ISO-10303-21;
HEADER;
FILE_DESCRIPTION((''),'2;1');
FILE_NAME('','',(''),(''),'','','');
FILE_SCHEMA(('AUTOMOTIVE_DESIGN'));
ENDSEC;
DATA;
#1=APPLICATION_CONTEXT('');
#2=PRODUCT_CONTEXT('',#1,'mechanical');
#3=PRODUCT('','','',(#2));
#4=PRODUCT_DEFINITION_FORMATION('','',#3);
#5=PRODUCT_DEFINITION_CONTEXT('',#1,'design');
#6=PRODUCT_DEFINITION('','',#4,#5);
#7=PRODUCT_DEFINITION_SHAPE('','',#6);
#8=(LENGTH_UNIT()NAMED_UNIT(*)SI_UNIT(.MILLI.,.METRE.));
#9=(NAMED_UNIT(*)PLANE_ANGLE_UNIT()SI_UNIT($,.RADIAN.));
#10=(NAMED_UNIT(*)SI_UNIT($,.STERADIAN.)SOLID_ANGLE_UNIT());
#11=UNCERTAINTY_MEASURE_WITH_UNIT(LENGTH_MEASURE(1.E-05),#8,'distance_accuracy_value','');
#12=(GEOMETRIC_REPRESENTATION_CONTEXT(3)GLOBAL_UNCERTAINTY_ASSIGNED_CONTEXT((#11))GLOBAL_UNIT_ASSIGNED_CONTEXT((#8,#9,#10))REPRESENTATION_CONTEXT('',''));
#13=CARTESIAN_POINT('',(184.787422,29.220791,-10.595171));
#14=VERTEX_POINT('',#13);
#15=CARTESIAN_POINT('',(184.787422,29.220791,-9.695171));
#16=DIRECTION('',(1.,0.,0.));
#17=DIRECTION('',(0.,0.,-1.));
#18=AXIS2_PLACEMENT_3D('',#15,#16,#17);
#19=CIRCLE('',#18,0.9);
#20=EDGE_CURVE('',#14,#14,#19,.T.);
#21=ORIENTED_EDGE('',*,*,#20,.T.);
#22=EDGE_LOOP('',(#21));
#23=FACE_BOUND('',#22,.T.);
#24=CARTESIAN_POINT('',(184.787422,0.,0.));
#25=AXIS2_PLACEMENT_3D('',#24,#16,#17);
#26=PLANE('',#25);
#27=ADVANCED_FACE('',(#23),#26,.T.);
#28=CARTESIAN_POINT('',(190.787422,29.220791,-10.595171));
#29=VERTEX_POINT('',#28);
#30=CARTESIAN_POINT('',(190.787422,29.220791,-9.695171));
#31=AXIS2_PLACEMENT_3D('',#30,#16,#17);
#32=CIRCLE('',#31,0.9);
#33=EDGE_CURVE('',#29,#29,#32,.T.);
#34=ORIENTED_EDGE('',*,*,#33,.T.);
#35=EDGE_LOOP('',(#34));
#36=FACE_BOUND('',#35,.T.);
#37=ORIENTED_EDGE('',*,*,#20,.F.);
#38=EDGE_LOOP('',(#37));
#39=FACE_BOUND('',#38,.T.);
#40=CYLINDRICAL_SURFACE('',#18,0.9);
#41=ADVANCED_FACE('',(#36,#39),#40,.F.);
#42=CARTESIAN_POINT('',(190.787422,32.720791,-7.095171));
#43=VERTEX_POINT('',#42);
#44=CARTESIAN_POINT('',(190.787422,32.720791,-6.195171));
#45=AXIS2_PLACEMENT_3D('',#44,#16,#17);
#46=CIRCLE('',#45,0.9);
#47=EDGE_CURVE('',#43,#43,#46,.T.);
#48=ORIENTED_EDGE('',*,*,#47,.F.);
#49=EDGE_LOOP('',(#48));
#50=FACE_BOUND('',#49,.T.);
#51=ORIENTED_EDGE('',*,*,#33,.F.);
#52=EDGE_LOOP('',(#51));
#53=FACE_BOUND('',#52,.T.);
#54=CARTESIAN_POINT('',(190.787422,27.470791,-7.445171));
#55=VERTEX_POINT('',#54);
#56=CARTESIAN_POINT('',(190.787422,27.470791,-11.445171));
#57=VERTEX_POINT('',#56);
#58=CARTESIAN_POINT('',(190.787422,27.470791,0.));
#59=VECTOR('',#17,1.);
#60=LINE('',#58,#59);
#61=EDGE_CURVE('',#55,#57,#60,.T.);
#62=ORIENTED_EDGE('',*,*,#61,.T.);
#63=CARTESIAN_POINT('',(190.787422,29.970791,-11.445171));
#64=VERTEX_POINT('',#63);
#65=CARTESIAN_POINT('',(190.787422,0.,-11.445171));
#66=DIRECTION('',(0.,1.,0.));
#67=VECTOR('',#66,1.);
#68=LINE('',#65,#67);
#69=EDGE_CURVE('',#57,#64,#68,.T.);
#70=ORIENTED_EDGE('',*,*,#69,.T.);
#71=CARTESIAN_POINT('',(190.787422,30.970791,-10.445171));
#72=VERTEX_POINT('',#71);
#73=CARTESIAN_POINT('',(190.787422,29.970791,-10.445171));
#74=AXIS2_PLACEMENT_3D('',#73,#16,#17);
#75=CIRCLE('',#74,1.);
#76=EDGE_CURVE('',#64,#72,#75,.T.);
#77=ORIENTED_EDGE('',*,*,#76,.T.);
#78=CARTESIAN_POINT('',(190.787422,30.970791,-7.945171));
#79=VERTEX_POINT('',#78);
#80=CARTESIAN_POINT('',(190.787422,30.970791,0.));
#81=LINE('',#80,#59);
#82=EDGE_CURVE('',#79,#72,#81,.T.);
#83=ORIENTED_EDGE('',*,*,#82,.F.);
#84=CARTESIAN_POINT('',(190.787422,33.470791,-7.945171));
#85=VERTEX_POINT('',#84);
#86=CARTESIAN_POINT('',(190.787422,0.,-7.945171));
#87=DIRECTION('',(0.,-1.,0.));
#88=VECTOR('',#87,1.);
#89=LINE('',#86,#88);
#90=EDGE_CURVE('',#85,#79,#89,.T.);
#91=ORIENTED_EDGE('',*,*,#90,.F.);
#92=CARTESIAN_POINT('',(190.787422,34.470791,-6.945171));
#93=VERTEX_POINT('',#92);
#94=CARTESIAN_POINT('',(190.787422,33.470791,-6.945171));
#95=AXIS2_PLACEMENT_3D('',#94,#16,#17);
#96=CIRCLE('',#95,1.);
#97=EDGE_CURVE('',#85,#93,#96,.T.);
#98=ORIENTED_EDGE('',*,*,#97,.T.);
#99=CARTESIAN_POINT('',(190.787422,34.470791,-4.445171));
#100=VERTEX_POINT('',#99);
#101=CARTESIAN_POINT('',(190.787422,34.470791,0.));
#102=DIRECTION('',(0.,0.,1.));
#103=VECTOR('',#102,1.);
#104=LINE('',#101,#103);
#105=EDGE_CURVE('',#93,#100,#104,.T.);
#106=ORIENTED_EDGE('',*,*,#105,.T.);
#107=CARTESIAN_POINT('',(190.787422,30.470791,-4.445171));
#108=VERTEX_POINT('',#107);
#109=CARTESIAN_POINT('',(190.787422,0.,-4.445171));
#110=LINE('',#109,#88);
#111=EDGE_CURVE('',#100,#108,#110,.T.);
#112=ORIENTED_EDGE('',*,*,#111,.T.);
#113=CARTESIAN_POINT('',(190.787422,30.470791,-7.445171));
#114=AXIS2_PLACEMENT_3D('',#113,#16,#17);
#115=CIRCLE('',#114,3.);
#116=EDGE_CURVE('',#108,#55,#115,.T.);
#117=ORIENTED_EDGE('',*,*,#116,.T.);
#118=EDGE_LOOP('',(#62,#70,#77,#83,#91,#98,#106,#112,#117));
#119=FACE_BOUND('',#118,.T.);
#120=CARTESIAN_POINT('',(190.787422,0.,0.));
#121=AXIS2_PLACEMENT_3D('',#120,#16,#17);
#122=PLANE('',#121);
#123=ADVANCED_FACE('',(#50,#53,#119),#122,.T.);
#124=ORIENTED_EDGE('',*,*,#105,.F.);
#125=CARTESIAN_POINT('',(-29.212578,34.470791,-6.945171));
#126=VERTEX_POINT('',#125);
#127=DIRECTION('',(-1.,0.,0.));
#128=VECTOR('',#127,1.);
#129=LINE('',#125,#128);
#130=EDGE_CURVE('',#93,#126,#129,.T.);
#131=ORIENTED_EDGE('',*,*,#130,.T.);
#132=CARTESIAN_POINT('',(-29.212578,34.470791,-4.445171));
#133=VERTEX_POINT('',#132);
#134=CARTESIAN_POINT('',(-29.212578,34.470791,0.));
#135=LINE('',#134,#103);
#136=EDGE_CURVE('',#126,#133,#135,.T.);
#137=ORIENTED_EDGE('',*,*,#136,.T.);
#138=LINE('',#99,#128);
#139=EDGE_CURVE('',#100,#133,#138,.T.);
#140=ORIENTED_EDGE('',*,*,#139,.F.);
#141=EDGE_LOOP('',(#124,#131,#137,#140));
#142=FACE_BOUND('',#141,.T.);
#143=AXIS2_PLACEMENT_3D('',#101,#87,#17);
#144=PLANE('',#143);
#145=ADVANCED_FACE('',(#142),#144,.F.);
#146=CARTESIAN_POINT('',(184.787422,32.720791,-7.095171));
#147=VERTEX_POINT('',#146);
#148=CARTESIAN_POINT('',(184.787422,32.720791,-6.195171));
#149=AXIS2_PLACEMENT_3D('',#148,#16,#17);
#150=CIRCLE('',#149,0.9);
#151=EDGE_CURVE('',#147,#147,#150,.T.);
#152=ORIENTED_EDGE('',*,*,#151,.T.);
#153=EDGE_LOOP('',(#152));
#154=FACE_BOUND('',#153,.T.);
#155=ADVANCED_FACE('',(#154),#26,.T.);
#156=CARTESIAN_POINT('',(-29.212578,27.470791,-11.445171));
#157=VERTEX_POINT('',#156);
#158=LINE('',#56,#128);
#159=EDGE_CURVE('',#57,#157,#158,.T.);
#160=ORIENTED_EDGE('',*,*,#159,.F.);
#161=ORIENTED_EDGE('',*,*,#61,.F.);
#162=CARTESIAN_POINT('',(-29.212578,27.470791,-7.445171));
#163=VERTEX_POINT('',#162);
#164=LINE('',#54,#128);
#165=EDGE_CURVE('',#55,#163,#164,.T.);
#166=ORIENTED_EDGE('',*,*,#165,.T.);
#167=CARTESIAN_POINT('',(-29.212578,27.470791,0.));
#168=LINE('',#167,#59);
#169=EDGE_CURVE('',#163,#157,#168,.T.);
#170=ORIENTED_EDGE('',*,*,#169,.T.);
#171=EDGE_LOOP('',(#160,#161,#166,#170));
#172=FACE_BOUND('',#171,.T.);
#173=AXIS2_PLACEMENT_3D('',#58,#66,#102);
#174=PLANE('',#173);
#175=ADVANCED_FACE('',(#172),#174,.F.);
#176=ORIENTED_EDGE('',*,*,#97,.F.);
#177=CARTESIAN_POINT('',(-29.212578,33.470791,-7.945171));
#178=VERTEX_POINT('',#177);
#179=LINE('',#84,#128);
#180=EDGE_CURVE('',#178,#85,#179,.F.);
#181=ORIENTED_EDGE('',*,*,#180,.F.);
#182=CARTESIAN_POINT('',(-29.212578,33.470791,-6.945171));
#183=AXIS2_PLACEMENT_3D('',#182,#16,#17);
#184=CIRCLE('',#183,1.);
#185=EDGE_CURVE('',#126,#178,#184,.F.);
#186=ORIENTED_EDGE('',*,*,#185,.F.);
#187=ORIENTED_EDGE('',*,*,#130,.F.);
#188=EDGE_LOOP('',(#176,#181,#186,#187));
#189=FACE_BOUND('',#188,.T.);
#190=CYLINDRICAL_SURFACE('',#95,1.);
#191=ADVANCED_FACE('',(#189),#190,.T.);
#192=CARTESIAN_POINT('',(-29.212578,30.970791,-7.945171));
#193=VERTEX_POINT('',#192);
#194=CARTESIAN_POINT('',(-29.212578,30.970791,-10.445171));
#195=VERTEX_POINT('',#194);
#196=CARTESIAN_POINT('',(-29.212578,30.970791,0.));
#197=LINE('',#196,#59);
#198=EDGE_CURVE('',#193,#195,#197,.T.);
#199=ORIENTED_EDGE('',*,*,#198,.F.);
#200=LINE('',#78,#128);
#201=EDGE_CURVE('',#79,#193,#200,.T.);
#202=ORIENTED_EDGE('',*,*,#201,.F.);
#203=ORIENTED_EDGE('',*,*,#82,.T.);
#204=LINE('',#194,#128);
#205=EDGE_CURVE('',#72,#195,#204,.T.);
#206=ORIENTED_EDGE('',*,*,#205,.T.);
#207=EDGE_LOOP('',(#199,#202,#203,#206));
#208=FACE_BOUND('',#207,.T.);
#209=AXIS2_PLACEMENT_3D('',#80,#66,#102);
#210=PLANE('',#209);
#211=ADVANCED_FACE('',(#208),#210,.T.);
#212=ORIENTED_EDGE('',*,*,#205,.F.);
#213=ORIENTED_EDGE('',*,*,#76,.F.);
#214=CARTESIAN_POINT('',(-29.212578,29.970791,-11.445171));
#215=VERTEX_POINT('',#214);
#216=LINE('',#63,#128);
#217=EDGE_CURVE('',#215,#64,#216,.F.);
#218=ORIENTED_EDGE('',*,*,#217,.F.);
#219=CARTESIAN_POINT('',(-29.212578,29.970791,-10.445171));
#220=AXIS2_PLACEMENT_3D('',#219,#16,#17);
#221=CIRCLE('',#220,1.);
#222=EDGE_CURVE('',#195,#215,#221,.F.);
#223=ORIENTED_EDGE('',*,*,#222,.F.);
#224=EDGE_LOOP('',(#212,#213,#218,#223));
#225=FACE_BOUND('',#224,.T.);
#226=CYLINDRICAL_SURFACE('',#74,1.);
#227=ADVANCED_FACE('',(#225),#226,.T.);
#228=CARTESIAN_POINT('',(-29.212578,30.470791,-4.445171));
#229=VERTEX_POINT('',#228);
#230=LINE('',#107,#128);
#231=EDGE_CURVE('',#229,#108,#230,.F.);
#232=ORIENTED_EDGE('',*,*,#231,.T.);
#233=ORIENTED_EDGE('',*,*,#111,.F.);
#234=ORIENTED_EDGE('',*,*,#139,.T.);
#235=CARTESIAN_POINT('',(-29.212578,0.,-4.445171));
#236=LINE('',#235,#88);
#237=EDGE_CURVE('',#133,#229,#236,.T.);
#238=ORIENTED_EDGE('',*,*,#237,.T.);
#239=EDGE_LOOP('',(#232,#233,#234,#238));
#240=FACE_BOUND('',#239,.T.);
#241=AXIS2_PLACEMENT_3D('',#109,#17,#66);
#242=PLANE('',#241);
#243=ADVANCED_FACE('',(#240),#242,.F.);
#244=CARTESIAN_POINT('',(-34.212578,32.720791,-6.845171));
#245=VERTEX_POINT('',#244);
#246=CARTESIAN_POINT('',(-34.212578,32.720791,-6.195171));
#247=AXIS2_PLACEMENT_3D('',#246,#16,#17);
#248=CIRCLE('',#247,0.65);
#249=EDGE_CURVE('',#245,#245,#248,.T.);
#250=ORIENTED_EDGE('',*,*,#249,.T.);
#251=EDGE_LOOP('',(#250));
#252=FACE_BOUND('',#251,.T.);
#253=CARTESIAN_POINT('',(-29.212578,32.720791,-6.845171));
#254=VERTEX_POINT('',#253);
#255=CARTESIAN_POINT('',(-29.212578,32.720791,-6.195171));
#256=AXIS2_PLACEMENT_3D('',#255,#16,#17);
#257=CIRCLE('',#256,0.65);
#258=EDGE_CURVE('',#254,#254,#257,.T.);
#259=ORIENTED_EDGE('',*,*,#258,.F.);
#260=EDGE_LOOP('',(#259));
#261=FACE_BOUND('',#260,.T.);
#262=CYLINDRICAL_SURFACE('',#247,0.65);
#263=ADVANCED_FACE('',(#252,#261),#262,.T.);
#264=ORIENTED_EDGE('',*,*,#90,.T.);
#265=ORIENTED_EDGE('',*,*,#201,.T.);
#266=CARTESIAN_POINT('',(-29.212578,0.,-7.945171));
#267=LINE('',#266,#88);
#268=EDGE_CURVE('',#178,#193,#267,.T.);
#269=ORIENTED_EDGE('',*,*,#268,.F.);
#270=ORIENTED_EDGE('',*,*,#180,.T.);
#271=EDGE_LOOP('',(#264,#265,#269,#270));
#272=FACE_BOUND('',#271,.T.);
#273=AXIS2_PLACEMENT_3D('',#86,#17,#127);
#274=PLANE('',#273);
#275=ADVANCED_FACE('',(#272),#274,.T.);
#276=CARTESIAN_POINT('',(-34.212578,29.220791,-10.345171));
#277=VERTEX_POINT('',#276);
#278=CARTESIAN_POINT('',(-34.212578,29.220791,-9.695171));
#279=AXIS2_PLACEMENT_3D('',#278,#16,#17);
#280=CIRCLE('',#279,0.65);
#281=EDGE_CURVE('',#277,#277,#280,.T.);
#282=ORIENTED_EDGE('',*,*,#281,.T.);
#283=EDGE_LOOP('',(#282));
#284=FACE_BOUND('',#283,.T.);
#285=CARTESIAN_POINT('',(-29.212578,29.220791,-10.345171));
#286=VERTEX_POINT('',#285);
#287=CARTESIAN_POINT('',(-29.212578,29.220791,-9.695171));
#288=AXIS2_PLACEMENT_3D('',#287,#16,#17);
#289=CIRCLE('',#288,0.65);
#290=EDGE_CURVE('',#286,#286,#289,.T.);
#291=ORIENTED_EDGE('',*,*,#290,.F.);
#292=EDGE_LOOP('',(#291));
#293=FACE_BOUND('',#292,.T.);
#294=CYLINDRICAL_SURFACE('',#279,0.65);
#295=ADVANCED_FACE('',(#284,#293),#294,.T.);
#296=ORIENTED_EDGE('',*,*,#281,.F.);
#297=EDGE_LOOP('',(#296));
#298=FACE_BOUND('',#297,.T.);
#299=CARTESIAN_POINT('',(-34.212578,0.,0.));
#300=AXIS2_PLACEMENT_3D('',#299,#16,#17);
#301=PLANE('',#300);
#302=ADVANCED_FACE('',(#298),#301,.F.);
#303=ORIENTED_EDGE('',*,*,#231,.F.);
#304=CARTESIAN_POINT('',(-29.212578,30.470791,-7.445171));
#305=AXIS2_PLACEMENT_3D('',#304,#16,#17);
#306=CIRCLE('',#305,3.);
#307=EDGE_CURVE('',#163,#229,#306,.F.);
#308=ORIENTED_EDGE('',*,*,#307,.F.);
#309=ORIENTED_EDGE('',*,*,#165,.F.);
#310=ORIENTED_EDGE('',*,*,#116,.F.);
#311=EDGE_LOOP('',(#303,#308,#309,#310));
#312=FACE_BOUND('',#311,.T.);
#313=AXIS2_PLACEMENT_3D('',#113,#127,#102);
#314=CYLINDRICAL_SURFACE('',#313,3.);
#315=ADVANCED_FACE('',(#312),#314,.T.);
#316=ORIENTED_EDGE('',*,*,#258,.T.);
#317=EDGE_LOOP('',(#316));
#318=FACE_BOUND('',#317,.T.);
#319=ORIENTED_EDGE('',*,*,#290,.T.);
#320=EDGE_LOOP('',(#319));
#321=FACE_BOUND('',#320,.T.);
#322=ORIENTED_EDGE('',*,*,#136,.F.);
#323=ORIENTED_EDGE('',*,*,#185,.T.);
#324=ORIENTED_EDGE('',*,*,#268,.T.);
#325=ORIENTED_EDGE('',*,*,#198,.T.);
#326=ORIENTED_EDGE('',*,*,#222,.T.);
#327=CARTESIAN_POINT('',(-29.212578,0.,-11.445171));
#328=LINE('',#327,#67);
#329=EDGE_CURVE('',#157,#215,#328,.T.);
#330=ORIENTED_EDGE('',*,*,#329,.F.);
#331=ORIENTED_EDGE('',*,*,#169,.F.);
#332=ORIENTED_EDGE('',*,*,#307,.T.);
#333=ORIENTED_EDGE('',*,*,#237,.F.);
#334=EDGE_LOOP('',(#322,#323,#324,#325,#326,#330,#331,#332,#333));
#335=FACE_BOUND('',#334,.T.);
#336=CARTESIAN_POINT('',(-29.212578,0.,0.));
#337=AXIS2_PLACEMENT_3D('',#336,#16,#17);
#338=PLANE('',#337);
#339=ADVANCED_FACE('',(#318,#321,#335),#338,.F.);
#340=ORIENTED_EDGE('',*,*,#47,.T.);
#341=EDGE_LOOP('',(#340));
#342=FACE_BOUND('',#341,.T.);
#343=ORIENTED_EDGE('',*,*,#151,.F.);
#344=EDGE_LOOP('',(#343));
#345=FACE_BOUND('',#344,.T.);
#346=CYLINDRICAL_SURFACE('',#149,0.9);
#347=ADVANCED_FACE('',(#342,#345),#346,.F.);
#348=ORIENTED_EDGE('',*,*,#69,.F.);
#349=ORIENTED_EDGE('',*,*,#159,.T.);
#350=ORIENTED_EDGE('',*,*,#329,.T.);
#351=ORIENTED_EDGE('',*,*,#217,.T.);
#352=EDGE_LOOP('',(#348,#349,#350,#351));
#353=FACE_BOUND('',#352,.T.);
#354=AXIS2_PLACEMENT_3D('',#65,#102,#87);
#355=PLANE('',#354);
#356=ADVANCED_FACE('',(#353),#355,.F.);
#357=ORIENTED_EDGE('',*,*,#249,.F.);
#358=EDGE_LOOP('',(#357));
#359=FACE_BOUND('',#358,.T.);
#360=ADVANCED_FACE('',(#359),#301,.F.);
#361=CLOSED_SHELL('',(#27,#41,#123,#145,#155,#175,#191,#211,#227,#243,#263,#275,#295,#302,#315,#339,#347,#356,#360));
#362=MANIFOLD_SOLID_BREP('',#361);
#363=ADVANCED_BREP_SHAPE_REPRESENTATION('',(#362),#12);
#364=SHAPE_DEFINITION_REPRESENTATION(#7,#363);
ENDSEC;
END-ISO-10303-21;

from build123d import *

# Parameters (mm, degrees)
BOSS_EXTRUDE1_DEPTH = 220
SKETCH2_R           = 0.9
CUT_EXTRUDE1_DEPTH  = 6
SKETCH1_3_R         = 0.65
BOSS_EXTRUDE2_DEPTH = 5
FILLET1_R           = 3
FILLET2_R           = 1


with BuildPart() as part:
    # Sketch1 → Boss-Extrude1 (new body)
    with BuildSketch(Plane(origin=(-29.212578399, 0, 0), x_dir=(0, 0, -1), z_dir=(1, 0, 0))):
        Polygon((7.945170891, 34.470791156), (4.445170891, 34.470791156), (4.445170891, 27.470791156), (11.445170891, 27.470791156), (11.445170891, 30.970791156), (7.945170891, 30.970791156), align=None)
    extrude(amount=BOSS_EXTRUDE1_DEPTH)

    # Sketch2 → Cut-Extrude1 (cut)
    with BuildSketch(Plane(origin=(190.787421601, 0, 0), x_dir=(0, 0, -1), z_dir=(1, 0, 0))):
        with Locations((6.195170891, 32.720791156)):
            Circle(SKETCH2_R)
        with Locations((9.695170891, 29.220791156)):
            Circle(SKETCH2_R)
    extrude(amount=-CUT_EXTRUDE1_DEPTH, mode=Mode.SUBTRACT)

    # Sketch1<3> → Boss-Extrude2 (add)
    with BuildSketch(Plane(origin=(-29.212578399, 0, 0), x_dir=(0, 0, -1), z_dir=(1, 0, 0))):
        with Locations((6.195170891, 32.720791156)):
            Circle(SKETCH1_3_R)
        with Locations((9.695170891, 29.220791156)):
            Circle(SKETCH1_3_R)
    extrude(amount=-BOSS_EXTRUDE2_DEPTH)

    # Fillet1
    fillet1_edges = [part.edges().sort_by_distance(p)[0] for p in [
        (80.787421601, 27.470791156, -4.445170891),
    ]]
    fillet(fillet1_edges, radius=FILLET1_R)

    # Fillet2
    fillet2_edges = [part.edges().sort_by_distance(p)[0] for p in [
        (80.787421601, 30.970791156, -11.445170891),
        (80.787421601, 34.470791156, -7.945170891),
    ]]
    fillet(fillet2_edges, radius=FILLET2_R)


solid = part.part
